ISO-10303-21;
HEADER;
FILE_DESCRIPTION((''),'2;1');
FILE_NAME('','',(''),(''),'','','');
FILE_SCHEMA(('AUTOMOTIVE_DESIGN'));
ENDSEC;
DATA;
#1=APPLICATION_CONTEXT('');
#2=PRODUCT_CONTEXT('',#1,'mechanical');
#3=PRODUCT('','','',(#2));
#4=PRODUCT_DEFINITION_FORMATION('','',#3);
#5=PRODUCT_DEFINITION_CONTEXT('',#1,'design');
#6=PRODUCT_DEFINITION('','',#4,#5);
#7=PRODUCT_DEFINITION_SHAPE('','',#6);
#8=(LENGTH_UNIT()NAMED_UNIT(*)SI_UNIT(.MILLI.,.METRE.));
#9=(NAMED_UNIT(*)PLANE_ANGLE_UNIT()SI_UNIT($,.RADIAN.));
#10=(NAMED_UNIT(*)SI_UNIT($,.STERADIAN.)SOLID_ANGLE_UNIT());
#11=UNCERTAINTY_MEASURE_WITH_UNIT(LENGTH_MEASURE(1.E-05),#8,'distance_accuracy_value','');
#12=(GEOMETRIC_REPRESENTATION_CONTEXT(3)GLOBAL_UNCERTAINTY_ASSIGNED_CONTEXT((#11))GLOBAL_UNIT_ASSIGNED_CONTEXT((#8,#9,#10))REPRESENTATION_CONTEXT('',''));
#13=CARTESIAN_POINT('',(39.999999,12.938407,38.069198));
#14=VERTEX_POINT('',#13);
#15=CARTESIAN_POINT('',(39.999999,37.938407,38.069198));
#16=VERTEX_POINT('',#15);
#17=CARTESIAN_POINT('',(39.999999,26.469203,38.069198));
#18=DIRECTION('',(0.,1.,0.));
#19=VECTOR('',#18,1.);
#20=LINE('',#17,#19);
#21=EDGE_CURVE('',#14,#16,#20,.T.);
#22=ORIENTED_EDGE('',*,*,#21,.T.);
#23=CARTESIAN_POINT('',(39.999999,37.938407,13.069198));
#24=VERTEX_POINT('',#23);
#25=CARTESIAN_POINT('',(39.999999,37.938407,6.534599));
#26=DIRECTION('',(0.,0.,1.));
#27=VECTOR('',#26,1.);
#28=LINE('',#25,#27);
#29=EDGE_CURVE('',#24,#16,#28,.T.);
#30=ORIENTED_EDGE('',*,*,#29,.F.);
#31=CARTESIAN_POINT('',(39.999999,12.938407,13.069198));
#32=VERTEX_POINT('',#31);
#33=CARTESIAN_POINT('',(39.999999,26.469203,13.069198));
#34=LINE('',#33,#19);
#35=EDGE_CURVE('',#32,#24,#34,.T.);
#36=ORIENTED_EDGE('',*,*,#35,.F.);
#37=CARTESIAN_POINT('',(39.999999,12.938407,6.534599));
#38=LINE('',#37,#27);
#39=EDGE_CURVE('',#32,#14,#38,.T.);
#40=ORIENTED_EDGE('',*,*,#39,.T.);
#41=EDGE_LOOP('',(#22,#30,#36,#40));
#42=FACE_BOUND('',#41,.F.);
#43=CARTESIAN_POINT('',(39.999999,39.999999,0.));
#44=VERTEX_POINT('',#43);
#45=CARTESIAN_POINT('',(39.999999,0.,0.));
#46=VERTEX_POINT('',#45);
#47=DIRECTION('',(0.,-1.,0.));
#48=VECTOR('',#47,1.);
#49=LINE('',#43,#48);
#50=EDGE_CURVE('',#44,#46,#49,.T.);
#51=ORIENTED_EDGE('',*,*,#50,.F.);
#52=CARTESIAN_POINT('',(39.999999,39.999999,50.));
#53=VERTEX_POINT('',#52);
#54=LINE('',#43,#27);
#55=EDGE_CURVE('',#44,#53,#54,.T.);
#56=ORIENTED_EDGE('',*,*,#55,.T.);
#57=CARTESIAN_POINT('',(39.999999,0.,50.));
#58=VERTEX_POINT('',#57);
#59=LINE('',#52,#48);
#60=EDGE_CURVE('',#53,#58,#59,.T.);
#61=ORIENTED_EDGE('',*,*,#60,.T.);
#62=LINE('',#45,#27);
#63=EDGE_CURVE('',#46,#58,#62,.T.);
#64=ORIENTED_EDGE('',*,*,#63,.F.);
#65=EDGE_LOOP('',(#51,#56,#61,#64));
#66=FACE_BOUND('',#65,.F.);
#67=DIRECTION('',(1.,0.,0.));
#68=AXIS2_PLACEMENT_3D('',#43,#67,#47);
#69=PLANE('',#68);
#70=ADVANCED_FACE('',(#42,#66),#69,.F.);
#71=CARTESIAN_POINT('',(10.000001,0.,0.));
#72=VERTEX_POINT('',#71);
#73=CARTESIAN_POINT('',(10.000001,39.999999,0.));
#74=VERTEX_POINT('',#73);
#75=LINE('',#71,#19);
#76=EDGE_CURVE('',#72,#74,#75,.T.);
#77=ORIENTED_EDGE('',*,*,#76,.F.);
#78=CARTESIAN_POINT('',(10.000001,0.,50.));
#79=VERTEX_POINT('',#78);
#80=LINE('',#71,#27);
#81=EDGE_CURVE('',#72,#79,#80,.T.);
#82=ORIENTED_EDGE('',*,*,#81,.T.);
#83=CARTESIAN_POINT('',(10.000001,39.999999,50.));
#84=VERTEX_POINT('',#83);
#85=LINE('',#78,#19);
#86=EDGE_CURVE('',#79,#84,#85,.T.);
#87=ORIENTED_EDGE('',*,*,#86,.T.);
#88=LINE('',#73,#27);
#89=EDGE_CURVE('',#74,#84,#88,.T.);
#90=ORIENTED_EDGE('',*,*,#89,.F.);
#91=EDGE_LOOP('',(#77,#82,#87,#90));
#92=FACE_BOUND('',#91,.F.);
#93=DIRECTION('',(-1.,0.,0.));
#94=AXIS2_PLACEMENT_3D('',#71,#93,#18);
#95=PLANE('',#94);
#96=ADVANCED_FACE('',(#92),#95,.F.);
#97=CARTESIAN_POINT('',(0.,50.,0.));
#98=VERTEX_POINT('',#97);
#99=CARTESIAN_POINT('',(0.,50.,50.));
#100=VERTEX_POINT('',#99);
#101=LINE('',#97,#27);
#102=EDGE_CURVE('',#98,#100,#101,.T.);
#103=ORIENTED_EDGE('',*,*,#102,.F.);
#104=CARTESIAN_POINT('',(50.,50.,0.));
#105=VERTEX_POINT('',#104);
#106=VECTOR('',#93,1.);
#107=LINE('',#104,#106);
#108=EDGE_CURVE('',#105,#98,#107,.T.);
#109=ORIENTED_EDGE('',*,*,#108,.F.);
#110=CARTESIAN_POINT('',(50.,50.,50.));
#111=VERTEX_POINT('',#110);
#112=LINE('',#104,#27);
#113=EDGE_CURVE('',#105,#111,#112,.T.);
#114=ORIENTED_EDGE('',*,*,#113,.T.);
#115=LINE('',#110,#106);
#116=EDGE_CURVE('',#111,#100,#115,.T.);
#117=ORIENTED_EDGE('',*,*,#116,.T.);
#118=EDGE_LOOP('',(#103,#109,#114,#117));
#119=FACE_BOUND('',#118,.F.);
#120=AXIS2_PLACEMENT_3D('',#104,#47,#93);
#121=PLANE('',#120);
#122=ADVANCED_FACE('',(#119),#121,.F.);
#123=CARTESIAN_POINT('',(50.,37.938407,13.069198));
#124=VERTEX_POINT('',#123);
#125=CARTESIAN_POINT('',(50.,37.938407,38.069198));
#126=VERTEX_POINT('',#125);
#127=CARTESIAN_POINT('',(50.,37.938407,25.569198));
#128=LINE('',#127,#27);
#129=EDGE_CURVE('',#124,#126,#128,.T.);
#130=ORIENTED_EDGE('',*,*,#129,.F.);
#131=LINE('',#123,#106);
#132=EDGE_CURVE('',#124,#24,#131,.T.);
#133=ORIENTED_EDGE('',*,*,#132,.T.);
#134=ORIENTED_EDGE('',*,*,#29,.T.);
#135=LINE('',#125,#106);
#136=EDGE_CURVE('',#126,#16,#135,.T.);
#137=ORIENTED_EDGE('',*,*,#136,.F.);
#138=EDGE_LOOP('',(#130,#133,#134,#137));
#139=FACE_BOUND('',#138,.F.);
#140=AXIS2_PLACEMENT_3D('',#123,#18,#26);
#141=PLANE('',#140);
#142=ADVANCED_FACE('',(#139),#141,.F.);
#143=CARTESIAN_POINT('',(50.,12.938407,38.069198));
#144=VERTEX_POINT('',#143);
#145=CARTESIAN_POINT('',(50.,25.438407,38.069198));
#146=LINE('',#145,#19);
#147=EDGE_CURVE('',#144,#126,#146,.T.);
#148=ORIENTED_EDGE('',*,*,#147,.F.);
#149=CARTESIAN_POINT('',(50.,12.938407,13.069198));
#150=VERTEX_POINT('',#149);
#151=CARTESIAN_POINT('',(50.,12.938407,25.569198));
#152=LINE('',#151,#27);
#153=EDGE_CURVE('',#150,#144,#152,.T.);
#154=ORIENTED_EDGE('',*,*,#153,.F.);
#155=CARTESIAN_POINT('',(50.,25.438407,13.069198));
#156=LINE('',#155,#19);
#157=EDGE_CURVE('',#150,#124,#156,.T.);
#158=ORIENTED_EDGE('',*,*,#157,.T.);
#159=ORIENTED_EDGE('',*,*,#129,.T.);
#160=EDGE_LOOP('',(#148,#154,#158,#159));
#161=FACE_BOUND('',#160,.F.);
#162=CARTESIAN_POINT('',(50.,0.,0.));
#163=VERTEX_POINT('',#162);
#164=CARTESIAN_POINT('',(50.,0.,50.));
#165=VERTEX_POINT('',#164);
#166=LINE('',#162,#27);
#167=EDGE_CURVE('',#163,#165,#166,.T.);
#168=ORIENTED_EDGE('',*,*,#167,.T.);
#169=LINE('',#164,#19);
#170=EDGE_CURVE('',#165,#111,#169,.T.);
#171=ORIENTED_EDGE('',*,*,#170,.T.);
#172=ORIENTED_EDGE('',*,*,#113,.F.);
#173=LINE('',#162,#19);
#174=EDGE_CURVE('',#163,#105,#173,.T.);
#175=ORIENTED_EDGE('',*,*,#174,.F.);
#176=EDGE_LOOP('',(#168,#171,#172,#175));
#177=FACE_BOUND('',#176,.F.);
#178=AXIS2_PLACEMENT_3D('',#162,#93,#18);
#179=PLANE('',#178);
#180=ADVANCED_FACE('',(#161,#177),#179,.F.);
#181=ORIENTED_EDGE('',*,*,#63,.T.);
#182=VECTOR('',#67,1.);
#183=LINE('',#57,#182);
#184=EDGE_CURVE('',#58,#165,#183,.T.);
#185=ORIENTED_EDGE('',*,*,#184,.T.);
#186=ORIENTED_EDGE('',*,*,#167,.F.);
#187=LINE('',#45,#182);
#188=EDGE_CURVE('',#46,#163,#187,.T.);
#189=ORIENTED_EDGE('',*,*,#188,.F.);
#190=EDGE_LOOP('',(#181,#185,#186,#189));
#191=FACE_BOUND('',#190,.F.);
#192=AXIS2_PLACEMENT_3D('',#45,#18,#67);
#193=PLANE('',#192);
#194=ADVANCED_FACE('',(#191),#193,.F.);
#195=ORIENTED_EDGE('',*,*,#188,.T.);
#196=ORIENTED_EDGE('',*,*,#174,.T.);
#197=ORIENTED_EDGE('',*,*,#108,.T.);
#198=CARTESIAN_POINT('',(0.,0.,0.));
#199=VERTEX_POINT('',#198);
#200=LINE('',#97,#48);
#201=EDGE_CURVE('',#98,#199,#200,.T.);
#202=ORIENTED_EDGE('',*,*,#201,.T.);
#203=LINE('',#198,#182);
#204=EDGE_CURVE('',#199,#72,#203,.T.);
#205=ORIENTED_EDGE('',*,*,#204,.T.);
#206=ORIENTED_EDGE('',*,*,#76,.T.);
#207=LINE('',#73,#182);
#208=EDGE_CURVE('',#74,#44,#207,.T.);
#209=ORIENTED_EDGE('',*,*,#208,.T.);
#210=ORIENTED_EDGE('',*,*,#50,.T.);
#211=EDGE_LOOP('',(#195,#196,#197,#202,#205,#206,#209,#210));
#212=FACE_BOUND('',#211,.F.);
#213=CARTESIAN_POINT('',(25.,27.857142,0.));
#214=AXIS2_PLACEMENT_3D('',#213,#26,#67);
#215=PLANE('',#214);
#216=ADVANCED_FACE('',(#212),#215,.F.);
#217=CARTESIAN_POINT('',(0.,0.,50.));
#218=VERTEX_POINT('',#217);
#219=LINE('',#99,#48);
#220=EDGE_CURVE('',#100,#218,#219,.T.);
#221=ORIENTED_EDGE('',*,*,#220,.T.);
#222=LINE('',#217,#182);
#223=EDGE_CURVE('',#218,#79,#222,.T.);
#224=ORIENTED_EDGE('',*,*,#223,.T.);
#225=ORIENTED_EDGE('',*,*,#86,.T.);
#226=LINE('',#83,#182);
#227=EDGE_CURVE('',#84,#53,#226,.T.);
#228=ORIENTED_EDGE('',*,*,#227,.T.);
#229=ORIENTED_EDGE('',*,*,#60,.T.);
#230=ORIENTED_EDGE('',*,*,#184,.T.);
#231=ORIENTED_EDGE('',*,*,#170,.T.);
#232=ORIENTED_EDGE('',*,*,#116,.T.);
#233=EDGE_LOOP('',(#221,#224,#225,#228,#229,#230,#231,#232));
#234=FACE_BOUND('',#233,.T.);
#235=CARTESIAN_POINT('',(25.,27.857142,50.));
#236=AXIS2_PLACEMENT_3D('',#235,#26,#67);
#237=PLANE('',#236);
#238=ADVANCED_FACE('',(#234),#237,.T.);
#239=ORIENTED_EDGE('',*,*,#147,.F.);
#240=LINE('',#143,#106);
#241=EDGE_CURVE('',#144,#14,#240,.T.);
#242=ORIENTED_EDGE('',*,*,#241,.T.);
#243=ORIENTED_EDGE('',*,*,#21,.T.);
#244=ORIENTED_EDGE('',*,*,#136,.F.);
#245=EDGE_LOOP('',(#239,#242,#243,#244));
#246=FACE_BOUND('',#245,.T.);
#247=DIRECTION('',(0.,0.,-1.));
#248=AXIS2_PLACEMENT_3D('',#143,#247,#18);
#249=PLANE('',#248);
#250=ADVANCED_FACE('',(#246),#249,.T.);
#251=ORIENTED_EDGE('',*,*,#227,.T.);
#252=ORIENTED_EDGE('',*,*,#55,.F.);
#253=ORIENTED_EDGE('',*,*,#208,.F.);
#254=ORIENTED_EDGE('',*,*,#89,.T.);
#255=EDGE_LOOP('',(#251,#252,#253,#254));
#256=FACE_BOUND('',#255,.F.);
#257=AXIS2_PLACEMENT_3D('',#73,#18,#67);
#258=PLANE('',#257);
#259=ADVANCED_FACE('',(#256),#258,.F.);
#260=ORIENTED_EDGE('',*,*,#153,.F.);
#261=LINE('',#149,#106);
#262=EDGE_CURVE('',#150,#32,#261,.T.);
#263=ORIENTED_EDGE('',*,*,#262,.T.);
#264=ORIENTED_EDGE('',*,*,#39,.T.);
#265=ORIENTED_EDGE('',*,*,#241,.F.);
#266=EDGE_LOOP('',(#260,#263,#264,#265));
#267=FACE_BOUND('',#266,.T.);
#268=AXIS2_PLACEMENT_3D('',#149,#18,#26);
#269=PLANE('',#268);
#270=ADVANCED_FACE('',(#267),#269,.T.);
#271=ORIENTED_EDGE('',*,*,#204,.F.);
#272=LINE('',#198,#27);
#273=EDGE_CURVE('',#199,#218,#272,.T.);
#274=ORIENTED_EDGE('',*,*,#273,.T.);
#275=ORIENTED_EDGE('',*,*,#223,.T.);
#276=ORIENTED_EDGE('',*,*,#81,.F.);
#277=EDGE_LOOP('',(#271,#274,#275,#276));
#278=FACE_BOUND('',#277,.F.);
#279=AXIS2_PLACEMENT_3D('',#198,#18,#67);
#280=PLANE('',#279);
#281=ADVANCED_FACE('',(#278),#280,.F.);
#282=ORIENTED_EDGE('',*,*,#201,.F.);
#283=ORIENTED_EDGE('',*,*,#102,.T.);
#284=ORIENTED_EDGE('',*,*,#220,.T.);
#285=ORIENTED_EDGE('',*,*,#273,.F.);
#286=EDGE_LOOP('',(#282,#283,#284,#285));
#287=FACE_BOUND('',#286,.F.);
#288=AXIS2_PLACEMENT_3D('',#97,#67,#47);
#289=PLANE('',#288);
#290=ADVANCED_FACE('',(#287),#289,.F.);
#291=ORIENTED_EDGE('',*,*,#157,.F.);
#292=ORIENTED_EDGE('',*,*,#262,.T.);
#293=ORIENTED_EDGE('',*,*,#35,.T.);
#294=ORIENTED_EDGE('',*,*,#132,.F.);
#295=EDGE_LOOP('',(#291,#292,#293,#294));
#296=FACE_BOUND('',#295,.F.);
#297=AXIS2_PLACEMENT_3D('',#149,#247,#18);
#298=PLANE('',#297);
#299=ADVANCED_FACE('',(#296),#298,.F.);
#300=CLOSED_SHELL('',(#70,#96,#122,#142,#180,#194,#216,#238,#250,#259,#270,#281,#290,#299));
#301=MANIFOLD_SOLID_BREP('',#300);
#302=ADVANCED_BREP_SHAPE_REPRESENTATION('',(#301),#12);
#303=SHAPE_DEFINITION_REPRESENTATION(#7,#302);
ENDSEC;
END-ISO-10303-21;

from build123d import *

# Parameters (mm, degrees)
F1_DEPTH = 50
F2_W     = 25
F2_H     = 25
F3_DEPTH = 27


with BuildPart() as f1:
    # F0 (on Top) → F1 (new body)
    with BuildSketch(Plane.XY):
        Polygon((0, 50), (0, 0), (10.000001, 0), (10.000001, 39.999999), (39.999999, 39.999999), (39.999999, 0), (50, 0), (50, 50), align=None)
    extrude(amount=F1_DEPTH)

    # F2 (on face) → F3 (cut)
    with BuildSketch(Plane.YZ.offset(50)):
        with Locations((25.438407, 25.569198)):
            Rectangle(F2_W, F2_H)
    extrude(amount=-F3_DEPTH, mode=Mode.SUBTRACT)


solid = f1.part
